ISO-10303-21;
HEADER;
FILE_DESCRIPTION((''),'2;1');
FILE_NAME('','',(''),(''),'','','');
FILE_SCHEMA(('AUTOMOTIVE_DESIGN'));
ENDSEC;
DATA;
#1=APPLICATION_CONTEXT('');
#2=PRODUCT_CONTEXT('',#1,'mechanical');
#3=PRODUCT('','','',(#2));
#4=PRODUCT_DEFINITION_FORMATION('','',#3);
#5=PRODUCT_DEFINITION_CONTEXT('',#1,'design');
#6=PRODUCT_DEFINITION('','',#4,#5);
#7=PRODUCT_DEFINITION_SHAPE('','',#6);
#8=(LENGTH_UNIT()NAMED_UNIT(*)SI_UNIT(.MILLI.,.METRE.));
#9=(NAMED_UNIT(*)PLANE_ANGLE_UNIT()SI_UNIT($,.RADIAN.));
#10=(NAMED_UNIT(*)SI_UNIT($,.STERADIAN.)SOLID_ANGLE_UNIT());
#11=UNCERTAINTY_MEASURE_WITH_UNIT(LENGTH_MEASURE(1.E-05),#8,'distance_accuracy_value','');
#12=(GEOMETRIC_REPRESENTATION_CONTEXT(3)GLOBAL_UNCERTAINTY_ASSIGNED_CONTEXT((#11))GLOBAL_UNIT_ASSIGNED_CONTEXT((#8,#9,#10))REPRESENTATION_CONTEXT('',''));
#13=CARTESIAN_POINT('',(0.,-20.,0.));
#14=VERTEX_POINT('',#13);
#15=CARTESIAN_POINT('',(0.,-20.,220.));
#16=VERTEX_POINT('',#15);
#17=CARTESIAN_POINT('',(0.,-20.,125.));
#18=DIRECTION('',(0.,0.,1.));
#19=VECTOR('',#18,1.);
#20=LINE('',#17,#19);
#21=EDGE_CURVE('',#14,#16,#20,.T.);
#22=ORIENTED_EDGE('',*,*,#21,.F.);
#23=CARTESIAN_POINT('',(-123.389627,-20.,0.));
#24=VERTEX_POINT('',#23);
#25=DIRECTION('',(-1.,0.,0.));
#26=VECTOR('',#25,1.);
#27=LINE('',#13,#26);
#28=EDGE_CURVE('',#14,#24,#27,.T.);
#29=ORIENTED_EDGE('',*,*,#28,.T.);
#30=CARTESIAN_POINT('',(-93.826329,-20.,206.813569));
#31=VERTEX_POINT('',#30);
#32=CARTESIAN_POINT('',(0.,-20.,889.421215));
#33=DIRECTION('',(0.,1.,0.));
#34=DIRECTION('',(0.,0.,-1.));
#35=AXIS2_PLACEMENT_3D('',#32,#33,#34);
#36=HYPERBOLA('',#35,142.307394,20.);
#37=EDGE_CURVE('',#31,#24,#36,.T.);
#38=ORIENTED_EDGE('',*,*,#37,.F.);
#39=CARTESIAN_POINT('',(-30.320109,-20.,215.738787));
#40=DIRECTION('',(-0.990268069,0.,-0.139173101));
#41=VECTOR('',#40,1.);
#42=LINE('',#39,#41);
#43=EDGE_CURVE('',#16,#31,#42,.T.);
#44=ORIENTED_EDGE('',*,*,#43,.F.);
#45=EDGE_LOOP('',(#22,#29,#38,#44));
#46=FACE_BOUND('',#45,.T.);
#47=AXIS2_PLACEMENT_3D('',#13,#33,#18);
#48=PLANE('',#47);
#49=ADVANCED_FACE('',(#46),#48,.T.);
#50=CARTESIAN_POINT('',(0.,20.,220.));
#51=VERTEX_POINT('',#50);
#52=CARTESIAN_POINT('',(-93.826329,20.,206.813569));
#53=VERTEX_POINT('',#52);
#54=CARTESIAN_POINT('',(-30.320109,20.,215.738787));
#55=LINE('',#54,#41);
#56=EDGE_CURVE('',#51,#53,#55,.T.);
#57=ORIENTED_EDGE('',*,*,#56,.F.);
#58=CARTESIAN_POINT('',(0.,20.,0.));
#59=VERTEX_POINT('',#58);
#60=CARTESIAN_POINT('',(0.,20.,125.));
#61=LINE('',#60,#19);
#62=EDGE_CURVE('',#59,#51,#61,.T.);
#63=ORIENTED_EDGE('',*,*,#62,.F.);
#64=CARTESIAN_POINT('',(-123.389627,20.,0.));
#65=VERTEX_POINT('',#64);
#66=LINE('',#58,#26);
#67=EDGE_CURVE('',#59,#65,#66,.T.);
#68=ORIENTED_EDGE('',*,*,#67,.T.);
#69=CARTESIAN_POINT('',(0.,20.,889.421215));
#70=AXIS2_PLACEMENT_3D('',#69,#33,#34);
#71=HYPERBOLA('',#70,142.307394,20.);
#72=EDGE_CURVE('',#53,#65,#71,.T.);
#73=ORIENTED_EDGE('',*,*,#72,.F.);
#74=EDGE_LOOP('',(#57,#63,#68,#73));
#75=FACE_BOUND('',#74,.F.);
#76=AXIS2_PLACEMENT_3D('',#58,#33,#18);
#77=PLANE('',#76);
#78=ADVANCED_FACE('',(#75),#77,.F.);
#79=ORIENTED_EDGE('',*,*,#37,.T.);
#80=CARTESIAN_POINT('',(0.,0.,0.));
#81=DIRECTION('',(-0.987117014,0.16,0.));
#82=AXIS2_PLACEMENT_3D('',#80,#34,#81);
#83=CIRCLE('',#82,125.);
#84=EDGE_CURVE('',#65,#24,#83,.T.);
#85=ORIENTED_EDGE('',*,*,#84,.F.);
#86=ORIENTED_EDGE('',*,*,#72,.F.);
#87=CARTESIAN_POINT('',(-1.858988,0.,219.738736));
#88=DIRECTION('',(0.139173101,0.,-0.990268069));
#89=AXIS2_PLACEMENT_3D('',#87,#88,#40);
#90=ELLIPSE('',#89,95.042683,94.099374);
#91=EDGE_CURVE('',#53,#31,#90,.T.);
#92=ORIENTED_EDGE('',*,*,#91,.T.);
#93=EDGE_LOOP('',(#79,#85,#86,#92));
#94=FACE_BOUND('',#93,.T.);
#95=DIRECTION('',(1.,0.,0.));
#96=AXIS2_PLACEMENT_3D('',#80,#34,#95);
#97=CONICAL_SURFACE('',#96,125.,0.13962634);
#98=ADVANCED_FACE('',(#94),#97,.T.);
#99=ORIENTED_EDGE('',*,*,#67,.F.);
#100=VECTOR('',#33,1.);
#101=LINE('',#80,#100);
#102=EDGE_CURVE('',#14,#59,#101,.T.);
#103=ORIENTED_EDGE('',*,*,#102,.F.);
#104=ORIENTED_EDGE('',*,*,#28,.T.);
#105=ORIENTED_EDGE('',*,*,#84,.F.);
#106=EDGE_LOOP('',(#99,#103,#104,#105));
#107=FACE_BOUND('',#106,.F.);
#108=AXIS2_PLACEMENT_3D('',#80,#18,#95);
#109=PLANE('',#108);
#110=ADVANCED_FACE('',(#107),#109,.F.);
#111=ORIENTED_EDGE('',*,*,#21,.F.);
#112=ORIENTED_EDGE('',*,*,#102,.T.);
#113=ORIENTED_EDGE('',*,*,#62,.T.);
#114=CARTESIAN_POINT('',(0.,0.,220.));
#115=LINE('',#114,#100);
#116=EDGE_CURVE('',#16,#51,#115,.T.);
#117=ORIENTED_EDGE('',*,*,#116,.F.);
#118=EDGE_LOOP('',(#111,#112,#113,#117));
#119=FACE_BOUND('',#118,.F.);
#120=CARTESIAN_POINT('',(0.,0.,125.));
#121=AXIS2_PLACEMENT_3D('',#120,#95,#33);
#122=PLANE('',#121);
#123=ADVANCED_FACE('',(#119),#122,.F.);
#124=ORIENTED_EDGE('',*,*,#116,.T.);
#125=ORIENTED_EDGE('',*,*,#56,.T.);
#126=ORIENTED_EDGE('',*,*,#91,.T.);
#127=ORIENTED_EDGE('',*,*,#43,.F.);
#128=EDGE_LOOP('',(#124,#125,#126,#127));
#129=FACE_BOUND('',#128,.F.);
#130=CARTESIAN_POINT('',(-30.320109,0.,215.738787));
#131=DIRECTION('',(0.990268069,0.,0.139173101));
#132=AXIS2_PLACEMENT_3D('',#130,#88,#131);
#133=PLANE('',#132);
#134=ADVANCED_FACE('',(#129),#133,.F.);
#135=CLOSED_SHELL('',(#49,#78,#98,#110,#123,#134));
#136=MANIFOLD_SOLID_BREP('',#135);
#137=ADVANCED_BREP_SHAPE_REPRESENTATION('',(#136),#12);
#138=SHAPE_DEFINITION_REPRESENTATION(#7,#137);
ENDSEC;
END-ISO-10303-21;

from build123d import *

# Parameters (mm, degrees)
F0_R     = 125
F1_DEPTH = 250
F1_TAPER = 8
F2_W     = 40
F2_H     = 250
F3_DEPTH = 150
F7_R     = 150
F8_DEPTH = 46.8815590493


with BuildPart() as f1:
    # F0 (on Top) → F1 (new body)
    with BuildSketch(Plane.XY):
        Circle(F0_R)
    extrude(amount=F1_DEPTH, taper=F1_TAPER)

    # F2 (on Right) → F3 (cut)
    with BuildSketch(Plane.YZ):
        with Locations((0, 125)):
            Rectangle(F2_W, F2_H)
    extrude(amount=-F3_DEPTH, mode=Mode.SUBTRACT)

    # F7 (on line) → F8 (cut, through all)
    with BuildSketch(Plane(origin=(-30.3201091399, 0, 215.7387865532), x_dir=(0.9902680687, 0, 0.139173101), z_dir=(0.139173101, 0, -0.9902680687))):
        Circle(F7_R)
    extrude(amount=-F8_DEPTH, mode=Mode.SUBTRACT)


solid = f1.part
